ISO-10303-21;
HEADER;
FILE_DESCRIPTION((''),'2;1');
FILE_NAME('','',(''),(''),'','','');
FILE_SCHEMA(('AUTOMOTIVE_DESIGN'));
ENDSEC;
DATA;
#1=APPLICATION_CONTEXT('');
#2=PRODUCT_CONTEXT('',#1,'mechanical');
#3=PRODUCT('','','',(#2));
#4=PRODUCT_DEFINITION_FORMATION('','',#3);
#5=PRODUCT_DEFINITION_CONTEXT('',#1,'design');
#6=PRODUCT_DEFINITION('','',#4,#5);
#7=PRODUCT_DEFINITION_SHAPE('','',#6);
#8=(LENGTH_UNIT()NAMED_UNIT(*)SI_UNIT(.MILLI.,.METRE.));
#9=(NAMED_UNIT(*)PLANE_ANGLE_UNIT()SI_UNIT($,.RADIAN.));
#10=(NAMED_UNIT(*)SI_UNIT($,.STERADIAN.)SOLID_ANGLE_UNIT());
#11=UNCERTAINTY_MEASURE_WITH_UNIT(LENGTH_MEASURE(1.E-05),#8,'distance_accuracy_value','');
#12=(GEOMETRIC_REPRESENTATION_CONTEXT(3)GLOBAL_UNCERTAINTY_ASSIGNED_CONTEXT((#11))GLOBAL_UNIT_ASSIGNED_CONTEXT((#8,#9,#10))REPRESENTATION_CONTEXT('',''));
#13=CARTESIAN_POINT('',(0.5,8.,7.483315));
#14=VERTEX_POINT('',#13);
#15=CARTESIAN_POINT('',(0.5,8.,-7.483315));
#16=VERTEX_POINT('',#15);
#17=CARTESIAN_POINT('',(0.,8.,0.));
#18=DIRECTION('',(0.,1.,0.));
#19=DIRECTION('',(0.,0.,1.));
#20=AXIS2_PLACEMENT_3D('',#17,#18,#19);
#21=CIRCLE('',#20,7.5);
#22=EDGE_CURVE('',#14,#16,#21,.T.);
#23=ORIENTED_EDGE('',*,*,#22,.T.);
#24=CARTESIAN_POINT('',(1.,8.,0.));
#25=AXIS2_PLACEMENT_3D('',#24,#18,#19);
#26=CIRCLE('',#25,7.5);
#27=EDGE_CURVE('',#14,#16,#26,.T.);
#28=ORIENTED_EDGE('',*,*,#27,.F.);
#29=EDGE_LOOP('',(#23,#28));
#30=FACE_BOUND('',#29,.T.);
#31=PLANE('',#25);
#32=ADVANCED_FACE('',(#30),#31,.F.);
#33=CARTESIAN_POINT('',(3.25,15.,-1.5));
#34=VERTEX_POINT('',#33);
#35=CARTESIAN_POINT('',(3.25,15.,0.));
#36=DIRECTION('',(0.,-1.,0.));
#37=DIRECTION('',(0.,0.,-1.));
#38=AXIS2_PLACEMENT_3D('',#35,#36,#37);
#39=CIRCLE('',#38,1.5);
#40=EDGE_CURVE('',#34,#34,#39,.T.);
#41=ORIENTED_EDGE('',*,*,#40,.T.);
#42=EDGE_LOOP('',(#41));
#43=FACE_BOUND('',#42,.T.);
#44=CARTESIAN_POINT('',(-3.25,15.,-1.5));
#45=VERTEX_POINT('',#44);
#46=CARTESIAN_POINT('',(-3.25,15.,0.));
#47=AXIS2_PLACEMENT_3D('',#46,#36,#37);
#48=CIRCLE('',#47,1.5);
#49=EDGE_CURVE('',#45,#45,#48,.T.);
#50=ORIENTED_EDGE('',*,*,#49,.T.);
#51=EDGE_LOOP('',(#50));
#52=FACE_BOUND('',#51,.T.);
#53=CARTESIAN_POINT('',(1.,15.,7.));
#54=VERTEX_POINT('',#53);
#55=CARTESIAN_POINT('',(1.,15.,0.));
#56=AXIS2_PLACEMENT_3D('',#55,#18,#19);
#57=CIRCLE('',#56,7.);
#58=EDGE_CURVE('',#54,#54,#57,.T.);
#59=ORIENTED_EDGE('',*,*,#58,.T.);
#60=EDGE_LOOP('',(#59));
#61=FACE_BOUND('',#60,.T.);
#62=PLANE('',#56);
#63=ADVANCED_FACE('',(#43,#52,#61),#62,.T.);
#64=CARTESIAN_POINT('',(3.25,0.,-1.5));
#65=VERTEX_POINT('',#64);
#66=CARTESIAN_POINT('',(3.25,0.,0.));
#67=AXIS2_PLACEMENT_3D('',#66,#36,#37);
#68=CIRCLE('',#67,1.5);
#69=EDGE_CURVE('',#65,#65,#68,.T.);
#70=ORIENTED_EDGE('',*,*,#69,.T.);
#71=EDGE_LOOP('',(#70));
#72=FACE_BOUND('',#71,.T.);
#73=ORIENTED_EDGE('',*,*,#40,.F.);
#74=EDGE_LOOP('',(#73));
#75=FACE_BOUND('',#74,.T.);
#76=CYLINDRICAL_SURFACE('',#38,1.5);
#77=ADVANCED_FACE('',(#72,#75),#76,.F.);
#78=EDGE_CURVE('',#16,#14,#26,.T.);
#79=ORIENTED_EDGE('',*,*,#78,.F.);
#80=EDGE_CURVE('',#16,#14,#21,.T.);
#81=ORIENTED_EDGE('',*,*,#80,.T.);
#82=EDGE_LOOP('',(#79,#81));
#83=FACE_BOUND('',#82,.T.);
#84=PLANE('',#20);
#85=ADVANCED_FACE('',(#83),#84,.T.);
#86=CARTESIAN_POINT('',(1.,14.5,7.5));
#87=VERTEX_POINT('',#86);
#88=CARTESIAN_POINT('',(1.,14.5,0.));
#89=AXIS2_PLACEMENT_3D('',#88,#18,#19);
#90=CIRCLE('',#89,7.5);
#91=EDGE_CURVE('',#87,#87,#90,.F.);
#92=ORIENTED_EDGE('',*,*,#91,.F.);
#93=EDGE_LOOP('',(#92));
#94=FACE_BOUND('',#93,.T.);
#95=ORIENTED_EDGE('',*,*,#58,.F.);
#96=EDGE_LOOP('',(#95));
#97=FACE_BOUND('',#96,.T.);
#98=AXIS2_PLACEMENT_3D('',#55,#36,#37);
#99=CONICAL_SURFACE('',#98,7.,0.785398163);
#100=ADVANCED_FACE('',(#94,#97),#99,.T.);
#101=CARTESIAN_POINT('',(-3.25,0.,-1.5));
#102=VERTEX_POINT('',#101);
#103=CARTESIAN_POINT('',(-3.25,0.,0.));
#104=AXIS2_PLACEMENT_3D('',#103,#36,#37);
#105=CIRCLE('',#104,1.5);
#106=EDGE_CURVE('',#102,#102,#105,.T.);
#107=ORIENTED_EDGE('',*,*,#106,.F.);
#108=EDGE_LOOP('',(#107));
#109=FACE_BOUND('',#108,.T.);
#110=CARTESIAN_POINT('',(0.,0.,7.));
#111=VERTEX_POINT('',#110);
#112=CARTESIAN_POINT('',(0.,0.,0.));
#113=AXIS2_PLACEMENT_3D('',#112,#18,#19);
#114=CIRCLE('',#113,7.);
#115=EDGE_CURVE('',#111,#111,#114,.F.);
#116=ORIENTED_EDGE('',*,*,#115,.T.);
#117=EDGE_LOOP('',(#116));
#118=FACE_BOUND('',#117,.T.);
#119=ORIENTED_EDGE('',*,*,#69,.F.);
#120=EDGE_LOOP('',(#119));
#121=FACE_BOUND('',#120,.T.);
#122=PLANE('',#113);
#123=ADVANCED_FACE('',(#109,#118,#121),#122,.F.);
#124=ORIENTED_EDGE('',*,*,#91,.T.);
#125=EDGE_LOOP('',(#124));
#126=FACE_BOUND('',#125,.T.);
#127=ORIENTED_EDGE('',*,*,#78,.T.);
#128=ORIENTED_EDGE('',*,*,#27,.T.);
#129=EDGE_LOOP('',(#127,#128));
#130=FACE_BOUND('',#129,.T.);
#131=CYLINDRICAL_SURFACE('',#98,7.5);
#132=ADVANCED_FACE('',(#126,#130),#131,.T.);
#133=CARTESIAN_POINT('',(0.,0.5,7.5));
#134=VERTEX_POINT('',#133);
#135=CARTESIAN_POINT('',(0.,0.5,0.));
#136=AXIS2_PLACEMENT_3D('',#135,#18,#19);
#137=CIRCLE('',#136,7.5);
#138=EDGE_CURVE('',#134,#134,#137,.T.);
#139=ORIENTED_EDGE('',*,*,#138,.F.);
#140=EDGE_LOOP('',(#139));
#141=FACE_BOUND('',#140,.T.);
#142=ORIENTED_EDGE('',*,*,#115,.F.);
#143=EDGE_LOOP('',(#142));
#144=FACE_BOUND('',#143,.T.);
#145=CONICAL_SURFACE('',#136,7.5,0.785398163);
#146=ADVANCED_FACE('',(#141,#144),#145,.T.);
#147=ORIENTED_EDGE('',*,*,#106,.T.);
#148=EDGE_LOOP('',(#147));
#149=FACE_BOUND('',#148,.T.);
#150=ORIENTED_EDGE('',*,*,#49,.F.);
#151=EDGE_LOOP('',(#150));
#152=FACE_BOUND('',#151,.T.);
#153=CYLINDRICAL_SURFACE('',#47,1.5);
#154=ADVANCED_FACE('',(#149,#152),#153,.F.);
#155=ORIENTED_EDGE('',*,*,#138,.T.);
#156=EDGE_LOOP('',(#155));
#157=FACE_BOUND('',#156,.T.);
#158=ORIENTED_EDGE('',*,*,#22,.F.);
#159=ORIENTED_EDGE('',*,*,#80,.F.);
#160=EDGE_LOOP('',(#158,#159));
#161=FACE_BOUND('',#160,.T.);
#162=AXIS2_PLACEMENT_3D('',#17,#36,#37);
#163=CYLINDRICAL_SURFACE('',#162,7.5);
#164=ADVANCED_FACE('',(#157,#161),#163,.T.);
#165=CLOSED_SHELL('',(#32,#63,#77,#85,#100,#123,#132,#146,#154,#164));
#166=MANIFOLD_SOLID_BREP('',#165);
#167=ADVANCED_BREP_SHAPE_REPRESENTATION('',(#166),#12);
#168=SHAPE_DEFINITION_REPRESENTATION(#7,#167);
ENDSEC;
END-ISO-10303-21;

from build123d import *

# Parameters (mm, degrees)
SKETCH1_R           = 7.5
BOSS_EXTRUDE1_DEPTH = 8
SKETCH2_R           = 7.5
BOSS_EXTRUDE2_DEPTH = 7
SKETCH3_R           = 1.5
CUT_EXTRUDE1_DEPTH  = 19.801595677
CHAMFER1_SIZE       = 0.5


with BuildPart() as part:
    # Sketch1 → Boss-Extrude1 (new body)
    with BuildSketch(Plane(origin=(0, 0, 0), x_dir=(1, 0, 0), z_dir=(0, 1, 0))):
        with Locations(Location((0, 0, 0), (0, 0, 270))):
            Circle(SKETCH1_R)
    extrude(amount=BOSS_EXTRUDE1_DEPTH)

    # Sketch2 → Boss-Extrude2 (add)
    with BuildSketch(Plane(origin=(0, 8, 0), x_dir=(1, 0, 0), z_dir=(0, 1, 0))):
        with Locations(Location((1, 0, 0), (0, 0, 93.822553729))):
            Circle(SKETCH2_R)
    extrude(amount=BOSS_EXTRUDE2_DEPTH)

    # Sketch3 → Cut-Extrude1 (cut, through all)
    with BuildSketch(Plane.XZ):
        with Locations(Location((-3.25, 0, 0), (0, 0, 270))):
            Circle(SKETCH3_R)
        with Locations(Location((3.25, 0, 0), (0, 0, 270))):
            Circle(SKETCH3_R)
    extrude(amount=-CUT_EXTRUDE1_DEPTH, mode=Mode.SUBTRACT)

    # Chamfer1
    chamfer1_edges = [part.edges().sort_by_distance(p)[0] for p in [
        (0, 0, -7.5),
        (1.5, 15, 7.483314774),
    ]]
    chamfer(chamfer1_edges, length=CHAMFER1_SIZE)


solid = part.part
